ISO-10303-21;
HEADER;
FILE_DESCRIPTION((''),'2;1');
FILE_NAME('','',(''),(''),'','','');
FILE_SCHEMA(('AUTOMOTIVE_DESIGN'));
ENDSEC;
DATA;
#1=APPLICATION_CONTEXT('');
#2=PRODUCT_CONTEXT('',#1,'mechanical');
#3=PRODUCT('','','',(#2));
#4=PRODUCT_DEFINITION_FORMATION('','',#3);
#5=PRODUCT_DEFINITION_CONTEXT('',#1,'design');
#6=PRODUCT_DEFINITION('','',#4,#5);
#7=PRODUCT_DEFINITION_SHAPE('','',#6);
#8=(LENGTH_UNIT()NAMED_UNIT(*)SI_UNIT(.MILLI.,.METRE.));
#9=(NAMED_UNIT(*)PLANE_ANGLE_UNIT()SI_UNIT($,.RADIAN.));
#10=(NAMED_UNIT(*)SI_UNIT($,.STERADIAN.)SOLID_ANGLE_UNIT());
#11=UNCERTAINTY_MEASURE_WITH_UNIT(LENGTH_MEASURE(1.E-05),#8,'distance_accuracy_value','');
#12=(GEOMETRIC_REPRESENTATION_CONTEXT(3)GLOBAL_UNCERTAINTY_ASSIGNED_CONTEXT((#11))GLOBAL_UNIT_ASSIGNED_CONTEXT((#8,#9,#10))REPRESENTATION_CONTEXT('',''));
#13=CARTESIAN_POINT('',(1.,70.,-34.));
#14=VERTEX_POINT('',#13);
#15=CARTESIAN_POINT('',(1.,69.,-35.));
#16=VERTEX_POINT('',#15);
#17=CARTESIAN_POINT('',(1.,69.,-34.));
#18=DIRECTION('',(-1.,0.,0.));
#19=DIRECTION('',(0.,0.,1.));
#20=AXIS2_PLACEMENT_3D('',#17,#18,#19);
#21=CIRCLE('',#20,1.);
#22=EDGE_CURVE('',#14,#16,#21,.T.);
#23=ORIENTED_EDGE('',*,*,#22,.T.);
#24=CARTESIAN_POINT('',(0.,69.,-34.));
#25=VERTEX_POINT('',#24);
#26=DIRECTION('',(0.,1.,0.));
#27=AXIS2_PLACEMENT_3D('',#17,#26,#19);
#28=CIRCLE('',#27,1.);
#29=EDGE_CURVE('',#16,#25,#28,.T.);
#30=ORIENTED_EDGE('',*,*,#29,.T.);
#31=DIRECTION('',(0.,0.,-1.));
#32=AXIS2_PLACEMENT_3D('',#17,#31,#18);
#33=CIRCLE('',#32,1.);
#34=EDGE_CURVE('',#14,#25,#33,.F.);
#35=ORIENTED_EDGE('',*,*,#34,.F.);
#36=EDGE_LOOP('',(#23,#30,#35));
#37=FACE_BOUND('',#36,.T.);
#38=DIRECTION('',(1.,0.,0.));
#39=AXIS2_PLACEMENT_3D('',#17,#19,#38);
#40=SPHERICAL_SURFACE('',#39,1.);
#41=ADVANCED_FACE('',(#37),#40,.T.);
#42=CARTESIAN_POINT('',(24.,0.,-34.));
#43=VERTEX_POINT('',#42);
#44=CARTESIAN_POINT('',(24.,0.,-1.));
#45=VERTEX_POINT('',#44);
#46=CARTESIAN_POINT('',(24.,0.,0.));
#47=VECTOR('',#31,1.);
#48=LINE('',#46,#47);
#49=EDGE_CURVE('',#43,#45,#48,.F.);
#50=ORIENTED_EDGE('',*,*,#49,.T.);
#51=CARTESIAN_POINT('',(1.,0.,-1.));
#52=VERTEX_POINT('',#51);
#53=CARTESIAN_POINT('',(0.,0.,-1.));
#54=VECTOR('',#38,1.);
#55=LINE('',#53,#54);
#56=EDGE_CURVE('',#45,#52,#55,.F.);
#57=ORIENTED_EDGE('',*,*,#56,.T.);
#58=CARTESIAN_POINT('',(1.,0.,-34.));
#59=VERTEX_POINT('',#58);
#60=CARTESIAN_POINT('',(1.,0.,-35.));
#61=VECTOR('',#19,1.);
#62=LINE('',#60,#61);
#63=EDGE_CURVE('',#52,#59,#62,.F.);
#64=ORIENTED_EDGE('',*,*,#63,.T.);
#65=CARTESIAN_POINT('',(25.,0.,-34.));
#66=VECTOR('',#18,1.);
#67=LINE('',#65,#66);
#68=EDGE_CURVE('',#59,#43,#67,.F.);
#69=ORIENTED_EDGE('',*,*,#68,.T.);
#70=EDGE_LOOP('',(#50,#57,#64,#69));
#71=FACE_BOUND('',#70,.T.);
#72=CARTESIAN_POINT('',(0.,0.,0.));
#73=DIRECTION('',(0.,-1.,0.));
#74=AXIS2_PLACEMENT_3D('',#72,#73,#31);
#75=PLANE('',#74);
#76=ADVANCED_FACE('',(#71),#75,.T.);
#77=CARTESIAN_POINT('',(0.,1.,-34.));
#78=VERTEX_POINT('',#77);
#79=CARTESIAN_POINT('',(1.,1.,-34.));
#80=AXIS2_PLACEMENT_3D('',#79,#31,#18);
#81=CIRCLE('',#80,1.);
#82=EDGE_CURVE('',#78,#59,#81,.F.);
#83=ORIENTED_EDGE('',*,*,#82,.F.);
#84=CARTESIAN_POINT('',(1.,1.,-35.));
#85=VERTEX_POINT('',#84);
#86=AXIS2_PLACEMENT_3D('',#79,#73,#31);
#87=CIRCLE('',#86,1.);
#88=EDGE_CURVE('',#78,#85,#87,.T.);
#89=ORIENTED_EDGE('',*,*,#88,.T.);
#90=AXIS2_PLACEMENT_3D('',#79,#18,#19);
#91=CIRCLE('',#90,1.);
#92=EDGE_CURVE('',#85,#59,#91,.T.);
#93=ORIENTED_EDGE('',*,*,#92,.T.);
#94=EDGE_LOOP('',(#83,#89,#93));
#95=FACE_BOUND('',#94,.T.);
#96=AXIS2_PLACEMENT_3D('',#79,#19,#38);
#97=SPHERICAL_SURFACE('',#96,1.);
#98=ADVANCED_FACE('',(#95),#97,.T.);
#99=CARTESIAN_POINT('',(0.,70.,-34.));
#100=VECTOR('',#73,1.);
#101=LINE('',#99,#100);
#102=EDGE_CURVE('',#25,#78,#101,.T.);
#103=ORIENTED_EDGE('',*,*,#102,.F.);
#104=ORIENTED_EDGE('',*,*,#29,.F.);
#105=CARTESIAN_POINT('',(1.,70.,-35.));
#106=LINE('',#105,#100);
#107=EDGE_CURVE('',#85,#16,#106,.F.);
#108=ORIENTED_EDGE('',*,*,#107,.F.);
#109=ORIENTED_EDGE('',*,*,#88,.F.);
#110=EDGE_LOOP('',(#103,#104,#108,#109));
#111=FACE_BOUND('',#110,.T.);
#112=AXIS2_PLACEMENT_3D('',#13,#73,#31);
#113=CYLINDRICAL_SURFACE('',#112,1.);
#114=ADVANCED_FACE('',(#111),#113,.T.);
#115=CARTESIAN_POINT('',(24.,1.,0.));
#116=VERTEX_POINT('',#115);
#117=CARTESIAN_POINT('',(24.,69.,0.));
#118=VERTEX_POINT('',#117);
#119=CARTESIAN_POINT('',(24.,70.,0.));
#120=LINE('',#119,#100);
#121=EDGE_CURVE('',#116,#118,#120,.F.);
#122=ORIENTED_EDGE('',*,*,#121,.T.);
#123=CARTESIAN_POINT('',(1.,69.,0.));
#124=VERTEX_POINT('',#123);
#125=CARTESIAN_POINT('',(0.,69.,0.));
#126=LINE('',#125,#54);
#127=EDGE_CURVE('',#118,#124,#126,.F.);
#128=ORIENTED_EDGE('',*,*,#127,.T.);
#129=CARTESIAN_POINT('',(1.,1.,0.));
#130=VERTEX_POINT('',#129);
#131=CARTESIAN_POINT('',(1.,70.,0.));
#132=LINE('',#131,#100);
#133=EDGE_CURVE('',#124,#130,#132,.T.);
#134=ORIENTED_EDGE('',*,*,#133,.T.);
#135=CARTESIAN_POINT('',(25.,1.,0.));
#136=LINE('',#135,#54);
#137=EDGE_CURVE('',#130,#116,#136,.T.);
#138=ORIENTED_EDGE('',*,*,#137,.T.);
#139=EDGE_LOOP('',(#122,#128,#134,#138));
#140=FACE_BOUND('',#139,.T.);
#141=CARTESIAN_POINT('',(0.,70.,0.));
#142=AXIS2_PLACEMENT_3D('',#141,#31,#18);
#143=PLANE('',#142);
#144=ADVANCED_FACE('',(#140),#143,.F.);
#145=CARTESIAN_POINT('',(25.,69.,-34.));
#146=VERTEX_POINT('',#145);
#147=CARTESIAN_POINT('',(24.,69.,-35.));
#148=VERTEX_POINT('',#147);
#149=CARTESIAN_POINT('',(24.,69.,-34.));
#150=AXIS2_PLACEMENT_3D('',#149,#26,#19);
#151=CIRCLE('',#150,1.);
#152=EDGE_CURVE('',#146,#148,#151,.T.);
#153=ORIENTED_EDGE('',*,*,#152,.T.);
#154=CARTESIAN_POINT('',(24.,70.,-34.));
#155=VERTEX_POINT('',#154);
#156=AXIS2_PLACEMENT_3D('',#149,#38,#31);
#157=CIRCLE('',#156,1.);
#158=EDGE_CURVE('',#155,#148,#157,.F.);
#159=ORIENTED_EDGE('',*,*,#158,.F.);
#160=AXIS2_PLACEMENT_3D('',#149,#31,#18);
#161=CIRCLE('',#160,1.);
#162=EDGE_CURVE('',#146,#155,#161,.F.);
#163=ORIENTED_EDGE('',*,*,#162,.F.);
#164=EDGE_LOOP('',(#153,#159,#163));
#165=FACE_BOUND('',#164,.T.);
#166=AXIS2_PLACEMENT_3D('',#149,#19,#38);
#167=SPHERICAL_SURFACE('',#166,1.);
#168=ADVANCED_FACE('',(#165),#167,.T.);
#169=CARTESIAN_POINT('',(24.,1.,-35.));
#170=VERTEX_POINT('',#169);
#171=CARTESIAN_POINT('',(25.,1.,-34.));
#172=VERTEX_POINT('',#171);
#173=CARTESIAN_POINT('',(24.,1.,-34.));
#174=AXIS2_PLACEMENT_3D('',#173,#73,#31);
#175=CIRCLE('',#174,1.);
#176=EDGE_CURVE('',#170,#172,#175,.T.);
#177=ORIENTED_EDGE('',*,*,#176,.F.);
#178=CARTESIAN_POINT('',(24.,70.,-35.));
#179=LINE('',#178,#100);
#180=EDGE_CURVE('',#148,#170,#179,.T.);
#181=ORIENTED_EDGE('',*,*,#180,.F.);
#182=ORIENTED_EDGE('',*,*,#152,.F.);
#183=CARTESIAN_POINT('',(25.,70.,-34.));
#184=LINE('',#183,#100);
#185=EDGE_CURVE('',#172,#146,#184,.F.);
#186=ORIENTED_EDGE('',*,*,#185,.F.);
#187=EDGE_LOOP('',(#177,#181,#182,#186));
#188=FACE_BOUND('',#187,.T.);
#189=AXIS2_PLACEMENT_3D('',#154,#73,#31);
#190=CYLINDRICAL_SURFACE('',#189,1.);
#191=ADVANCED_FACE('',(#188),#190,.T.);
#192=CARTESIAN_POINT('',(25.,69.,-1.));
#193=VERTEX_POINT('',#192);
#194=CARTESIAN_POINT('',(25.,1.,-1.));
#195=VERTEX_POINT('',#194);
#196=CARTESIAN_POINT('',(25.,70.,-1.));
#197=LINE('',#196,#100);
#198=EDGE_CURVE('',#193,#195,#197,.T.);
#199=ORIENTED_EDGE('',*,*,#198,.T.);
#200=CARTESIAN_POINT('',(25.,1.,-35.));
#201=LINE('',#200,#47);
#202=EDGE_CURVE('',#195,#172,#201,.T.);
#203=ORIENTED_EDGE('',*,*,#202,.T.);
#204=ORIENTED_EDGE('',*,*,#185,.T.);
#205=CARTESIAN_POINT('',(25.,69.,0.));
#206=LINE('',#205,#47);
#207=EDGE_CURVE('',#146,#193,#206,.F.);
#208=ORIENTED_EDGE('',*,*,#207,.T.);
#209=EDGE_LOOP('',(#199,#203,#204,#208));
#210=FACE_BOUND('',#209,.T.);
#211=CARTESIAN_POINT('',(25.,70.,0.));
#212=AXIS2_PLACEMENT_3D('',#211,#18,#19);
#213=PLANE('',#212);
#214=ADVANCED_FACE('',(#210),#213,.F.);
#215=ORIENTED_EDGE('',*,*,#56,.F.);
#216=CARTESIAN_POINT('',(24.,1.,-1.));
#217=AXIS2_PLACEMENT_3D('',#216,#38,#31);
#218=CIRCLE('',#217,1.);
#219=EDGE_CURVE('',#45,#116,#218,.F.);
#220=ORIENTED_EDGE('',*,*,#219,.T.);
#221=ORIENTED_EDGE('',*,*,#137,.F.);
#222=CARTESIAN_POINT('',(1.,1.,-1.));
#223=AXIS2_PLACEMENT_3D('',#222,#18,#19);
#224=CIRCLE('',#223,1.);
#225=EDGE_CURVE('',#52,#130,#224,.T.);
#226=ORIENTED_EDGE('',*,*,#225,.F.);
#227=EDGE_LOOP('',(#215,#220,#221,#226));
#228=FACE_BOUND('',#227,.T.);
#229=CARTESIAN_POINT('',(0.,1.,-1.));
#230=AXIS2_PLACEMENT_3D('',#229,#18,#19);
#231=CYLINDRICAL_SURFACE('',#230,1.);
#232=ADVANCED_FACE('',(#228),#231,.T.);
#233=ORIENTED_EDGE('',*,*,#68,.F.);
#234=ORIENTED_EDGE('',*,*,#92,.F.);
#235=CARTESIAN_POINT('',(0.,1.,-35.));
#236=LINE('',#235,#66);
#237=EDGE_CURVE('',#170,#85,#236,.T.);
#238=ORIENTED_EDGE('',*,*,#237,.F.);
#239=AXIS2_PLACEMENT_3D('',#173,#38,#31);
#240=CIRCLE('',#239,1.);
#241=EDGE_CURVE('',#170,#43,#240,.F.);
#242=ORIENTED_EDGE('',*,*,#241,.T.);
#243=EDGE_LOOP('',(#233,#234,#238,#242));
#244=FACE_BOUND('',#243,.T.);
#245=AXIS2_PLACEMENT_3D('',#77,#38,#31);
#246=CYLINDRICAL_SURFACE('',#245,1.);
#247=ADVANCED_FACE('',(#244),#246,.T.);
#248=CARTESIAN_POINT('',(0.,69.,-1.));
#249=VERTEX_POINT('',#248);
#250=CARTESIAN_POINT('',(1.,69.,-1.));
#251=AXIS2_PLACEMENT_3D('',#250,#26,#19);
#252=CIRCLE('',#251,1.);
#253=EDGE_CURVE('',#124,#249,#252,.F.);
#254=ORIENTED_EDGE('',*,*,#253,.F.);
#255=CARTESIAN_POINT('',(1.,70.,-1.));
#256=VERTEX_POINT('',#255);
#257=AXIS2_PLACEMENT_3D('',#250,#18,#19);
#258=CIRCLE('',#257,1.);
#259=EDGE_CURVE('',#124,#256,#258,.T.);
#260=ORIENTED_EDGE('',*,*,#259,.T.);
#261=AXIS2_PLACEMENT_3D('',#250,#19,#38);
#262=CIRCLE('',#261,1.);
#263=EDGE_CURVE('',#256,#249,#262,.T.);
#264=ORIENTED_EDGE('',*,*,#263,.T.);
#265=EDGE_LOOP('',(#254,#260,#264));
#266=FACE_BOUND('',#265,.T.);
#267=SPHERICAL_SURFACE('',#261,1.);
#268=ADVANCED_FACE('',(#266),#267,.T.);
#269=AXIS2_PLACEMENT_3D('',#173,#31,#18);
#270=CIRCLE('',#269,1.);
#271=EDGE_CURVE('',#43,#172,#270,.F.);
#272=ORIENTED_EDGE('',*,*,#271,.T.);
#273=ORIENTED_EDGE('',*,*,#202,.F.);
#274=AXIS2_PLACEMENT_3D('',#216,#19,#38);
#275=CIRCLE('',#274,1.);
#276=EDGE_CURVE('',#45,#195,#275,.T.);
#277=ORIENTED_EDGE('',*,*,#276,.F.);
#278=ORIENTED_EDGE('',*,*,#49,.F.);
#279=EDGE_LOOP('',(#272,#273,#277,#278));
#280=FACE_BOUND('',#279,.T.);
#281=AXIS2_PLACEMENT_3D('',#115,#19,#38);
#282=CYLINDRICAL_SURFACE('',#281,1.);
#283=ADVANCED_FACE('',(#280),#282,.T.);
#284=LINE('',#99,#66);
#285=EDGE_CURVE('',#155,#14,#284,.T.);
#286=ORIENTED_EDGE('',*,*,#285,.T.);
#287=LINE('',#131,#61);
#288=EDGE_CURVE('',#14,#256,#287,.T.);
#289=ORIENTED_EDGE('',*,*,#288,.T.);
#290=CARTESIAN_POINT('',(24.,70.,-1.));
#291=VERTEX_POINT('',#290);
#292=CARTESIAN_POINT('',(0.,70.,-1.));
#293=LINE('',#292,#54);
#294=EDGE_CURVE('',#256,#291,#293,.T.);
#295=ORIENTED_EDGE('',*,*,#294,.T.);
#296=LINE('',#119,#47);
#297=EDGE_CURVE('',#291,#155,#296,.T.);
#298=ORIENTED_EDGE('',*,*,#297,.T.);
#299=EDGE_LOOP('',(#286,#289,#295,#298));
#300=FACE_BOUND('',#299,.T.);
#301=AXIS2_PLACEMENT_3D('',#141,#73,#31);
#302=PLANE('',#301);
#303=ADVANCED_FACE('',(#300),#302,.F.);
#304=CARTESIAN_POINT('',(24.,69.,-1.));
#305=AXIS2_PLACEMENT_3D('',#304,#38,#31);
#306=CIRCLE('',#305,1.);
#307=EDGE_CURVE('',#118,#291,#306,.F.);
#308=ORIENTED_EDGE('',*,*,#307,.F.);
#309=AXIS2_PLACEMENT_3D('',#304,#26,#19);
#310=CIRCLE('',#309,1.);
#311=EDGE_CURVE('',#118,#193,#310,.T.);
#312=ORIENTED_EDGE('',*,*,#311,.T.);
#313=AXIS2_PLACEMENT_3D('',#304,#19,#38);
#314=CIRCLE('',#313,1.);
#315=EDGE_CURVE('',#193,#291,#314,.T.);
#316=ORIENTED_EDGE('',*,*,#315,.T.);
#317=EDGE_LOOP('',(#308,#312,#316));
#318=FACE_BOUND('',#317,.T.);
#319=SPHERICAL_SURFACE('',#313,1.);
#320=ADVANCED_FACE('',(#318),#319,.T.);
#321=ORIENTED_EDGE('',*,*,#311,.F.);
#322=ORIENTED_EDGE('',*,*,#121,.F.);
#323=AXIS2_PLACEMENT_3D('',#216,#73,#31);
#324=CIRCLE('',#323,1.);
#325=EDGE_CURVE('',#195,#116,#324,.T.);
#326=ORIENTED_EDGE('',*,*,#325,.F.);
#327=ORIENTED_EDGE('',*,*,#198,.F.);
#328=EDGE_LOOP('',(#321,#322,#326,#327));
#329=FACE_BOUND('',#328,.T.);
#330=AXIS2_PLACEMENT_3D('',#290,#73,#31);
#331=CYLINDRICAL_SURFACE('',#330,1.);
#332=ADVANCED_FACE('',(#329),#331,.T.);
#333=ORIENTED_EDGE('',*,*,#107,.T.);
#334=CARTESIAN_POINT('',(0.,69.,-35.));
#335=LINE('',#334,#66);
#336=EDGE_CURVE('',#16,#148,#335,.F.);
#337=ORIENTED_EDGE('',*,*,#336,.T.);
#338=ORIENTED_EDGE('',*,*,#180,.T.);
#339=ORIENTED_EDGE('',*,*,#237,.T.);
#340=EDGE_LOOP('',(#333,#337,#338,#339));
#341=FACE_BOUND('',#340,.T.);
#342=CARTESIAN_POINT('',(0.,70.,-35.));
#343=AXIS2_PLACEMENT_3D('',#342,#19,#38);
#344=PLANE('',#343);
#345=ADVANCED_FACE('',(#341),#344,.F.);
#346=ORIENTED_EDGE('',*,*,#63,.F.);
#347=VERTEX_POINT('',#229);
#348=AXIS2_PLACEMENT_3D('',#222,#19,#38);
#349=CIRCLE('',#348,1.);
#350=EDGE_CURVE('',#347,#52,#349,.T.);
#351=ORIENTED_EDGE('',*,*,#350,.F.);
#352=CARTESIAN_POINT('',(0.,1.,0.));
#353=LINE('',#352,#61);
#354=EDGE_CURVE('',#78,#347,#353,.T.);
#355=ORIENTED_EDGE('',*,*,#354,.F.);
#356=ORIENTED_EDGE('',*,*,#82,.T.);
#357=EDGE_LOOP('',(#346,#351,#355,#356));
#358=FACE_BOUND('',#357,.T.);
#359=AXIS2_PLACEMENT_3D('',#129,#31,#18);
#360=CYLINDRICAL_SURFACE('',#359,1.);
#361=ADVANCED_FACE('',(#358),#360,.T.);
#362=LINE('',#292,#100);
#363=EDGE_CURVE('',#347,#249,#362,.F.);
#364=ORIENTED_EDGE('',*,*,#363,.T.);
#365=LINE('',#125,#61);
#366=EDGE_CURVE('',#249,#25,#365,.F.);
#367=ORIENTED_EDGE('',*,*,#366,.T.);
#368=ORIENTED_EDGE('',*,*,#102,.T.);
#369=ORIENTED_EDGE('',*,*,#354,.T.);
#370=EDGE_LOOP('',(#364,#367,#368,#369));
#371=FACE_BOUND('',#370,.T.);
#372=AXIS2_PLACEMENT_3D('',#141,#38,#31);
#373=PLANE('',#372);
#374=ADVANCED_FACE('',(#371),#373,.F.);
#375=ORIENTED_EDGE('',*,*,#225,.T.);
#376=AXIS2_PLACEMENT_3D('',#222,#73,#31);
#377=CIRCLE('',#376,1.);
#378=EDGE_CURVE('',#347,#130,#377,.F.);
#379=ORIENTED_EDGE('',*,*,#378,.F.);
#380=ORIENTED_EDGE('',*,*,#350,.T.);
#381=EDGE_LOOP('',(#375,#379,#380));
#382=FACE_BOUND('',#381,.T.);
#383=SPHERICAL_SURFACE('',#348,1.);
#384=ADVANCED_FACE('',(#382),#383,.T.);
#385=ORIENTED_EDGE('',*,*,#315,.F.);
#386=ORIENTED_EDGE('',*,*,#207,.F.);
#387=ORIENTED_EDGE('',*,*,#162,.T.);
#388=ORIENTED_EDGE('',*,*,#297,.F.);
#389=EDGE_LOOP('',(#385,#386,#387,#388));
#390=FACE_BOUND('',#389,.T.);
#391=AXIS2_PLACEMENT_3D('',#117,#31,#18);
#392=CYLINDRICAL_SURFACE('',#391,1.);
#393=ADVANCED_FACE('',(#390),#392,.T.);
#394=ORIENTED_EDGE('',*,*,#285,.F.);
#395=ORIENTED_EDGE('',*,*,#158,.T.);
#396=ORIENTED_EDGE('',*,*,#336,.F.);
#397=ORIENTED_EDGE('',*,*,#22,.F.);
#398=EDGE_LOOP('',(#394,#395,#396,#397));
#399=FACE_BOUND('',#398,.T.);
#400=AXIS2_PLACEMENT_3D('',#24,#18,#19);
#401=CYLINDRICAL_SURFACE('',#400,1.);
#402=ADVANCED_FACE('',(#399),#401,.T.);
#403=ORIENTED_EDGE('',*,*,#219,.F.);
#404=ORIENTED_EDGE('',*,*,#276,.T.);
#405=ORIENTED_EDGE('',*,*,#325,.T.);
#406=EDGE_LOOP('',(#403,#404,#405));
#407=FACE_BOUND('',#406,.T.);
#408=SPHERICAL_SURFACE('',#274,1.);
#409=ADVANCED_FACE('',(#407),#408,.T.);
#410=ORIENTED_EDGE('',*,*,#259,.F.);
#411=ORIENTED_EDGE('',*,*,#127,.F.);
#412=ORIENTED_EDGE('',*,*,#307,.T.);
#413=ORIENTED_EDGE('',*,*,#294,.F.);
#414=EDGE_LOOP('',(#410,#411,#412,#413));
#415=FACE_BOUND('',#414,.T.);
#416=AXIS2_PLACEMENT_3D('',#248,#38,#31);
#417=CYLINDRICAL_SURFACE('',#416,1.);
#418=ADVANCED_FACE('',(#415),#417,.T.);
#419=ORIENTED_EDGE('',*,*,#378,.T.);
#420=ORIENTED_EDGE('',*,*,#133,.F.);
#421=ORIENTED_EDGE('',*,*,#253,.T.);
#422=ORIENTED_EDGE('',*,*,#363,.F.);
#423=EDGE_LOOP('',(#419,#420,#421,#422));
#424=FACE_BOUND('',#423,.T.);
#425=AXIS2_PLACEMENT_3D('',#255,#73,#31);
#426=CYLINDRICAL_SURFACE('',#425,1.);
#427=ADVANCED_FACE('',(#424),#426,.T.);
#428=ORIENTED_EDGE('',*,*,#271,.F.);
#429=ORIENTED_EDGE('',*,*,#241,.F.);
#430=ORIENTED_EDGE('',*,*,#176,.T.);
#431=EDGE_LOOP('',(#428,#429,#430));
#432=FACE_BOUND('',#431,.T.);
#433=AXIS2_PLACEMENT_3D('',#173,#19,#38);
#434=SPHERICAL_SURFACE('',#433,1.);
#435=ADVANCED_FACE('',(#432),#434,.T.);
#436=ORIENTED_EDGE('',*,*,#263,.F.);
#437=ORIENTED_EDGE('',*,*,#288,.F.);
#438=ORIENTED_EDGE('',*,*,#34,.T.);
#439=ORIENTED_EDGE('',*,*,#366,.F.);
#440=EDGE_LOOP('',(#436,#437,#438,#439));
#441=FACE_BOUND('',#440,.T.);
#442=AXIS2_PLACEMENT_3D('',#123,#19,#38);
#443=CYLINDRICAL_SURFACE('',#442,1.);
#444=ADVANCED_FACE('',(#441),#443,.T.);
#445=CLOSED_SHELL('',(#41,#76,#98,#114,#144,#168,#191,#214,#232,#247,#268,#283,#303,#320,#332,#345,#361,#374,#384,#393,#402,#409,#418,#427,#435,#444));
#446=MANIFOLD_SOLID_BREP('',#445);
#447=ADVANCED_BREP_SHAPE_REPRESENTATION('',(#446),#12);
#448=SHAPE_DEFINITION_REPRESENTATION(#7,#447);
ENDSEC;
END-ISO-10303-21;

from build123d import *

# Parameters (mm, degrees)
SKETCH1_W           = 25
SKETCH1_H           = 35
BOSS_EXTRUDE1_DEPTH = 70
FILLET1_R           = 1


with BuildPart() as part:
    # Sketch1 → Boss-Extrude1 (new body)
    with BuildSketch(Plane(origin=(0, 0, 0), x_dir=(1, 0, 0), z_dir=(0, 1, 0))):
        with Locations((12.5, 17.5)):
            Rectangle(SKETCH1_W, SKETCH1_H)
    extrude(amount=BOSS_EXTRUDE1_DEPTH)

    # Fillet1
    fillet1_edges = [part.edges().sort_by_distance(p)[0] for p in [
        (25, 70, -17.5),
        (12.5, 70, -35),
        (0, 70, -17.5),
        (12.5, 0, -35),
        (25, 0, -17.5),
        (12.5, 0, 0),
        (0, 0, -17.5),
        (0, 35, -35),
        (25, 35, -35),
        (25, 35, 0),
        (0, 35, 0),
        (12.5, 70, 0),
    ]]
    fillet(fillet1_edges, radius=FILLET1_R)


solid = part.part
